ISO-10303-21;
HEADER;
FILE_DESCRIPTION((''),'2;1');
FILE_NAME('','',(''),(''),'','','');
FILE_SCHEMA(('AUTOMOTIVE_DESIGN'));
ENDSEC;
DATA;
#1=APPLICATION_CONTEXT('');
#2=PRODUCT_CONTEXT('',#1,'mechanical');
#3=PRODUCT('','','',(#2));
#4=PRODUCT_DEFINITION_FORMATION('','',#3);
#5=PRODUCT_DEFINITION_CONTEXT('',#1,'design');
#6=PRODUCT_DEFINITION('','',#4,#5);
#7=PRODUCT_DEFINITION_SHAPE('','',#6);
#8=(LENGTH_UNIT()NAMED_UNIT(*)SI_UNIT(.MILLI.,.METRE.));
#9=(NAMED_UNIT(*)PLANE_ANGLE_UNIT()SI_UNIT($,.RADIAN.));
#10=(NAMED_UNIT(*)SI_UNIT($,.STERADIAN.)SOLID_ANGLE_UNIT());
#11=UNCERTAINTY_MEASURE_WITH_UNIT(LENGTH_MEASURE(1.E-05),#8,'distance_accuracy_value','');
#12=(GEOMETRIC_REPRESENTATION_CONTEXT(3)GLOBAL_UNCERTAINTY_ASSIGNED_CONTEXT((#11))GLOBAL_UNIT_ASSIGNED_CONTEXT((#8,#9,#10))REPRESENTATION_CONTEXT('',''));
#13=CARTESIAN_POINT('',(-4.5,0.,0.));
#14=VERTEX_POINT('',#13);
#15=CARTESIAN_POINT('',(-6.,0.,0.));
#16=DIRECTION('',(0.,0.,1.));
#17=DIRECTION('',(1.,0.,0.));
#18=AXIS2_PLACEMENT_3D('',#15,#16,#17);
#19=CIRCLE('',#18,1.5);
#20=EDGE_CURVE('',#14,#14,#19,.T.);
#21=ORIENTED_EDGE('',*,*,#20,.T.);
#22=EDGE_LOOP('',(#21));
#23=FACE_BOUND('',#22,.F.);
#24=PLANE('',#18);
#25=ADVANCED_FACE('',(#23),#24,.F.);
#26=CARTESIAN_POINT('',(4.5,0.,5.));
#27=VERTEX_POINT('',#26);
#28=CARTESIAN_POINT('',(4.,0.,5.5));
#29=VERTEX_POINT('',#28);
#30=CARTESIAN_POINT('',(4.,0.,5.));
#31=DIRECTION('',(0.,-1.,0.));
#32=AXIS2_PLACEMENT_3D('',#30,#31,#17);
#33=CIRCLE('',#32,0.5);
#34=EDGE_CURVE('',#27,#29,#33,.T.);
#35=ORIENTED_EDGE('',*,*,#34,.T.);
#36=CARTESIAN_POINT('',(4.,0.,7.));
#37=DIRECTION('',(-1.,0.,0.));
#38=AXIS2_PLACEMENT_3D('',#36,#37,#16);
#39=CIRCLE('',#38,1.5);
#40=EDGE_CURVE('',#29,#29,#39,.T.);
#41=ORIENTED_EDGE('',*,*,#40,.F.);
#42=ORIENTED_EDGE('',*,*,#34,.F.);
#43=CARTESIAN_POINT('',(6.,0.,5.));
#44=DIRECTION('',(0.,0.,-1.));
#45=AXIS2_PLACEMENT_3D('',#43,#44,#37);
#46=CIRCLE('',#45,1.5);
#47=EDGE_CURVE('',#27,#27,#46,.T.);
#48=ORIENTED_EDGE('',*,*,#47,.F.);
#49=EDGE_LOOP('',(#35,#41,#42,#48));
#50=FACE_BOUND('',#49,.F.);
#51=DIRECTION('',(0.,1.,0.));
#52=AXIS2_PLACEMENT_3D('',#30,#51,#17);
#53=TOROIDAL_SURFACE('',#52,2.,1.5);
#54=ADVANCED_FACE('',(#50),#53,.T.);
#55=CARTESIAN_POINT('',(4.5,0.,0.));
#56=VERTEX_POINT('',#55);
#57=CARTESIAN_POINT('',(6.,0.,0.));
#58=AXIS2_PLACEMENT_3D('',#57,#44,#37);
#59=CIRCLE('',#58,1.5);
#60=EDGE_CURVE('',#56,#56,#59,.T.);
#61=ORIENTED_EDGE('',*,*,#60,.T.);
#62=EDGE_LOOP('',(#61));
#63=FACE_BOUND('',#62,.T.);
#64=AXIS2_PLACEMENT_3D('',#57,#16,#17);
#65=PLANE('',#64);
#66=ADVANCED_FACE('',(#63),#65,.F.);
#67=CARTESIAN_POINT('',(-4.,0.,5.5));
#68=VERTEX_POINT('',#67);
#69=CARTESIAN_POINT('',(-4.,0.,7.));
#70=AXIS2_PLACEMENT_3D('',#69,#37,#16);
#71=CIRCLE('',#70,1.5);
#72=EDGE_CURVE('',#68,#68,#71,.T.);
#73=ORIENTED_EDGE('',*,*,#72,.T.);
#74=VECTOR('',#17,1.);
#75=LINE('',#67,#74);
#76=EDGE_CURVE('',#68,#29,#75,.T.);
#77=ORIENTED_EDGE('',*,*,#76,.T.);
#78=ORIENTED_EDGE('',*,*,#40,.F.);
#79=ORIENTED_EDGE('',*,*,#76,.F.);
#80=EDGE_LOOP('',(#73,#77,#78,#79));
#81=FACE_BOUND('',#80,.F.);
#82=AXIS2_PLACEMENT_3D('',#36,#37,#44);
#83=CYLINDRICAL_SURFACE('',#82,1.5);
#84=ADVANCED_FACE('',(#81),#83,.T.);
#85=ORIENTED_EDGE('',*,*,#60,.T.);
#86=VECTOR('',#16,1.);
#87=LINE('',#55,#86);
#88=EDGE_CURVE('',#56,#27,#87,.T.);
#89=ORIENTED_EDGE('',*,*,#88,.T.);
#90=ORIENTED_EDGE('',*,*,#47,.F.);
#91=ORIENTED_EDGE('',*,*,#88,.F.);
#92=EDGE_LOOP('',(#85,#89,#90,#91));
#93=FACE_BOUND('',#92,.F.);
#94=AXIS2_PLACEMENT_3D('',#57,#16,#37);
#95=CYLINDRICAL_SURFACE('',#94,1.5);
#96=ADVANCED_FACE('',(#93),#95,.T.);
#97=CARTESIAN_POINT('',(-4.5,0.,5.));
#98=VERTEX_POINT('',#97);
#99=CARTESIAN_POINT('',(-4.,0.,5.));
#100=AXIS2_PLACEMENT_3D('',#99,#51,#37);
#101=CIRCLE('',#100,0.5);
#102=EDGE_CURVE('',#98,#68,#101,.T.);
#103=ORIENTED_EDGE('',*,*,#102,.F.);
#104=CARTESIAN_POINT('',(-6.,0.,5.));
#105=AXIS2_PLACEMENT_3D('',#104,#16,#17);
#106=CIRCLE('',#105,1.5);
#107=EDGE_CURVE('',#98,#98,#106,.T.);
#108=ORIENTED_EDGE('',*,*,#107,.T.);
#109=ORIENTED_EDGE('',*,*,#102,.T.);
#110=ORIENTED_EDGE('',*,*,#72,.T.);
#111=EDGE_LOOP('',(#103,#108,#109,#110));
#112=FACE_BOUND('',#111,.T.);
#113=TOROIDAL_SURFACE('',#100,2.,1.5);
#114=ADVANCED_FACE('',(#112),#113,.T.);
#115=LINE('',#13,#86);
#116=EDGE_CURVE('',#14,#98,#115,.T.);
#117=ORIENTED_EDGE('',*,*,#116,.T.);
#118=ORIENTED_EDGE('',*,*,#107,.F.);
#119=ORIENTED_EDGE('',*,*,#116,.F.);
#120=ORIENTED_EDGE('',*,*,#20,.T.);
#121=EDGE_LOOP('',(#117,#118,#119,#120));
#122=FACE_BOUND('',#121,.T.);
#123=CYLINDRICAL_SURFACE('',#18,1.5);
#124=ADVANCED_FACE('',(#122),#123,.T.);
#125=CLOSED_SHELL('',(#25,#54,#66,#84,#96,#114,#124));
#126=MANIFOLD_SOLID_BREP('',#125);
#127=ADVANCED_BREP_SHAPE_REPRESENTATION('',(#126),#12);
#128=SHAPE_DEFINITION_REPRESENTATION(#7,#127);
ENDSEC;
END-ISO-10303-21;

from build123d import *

# Parameters (mm, degrees)
F0_R = 1.5


with BuildPart() as f2:
    # F2: sweep along a path in F1
    with BuildLine(Plane.XZ) as f2_path:
        Line((-6, 0), (-6, 5))
        ThreePointArc((-6, 5), (-5.4142135624, 6.4142135624), (-4, 7))
        Line((-4, 7), (0, 7))
    # F0 (on Top) → F2 (sweep)
    with BuildSketch(Plane.XY):
        with Locations((-6, 0)):
            Circle(F0_R)
    sweep(path=f2_path.line)

    # F3: F2 across plane


with BuildPart() as f2_1:
    add(f2.part)
    add(f2.part.mirror(Plane.YZ))


solid = f2_1.part
